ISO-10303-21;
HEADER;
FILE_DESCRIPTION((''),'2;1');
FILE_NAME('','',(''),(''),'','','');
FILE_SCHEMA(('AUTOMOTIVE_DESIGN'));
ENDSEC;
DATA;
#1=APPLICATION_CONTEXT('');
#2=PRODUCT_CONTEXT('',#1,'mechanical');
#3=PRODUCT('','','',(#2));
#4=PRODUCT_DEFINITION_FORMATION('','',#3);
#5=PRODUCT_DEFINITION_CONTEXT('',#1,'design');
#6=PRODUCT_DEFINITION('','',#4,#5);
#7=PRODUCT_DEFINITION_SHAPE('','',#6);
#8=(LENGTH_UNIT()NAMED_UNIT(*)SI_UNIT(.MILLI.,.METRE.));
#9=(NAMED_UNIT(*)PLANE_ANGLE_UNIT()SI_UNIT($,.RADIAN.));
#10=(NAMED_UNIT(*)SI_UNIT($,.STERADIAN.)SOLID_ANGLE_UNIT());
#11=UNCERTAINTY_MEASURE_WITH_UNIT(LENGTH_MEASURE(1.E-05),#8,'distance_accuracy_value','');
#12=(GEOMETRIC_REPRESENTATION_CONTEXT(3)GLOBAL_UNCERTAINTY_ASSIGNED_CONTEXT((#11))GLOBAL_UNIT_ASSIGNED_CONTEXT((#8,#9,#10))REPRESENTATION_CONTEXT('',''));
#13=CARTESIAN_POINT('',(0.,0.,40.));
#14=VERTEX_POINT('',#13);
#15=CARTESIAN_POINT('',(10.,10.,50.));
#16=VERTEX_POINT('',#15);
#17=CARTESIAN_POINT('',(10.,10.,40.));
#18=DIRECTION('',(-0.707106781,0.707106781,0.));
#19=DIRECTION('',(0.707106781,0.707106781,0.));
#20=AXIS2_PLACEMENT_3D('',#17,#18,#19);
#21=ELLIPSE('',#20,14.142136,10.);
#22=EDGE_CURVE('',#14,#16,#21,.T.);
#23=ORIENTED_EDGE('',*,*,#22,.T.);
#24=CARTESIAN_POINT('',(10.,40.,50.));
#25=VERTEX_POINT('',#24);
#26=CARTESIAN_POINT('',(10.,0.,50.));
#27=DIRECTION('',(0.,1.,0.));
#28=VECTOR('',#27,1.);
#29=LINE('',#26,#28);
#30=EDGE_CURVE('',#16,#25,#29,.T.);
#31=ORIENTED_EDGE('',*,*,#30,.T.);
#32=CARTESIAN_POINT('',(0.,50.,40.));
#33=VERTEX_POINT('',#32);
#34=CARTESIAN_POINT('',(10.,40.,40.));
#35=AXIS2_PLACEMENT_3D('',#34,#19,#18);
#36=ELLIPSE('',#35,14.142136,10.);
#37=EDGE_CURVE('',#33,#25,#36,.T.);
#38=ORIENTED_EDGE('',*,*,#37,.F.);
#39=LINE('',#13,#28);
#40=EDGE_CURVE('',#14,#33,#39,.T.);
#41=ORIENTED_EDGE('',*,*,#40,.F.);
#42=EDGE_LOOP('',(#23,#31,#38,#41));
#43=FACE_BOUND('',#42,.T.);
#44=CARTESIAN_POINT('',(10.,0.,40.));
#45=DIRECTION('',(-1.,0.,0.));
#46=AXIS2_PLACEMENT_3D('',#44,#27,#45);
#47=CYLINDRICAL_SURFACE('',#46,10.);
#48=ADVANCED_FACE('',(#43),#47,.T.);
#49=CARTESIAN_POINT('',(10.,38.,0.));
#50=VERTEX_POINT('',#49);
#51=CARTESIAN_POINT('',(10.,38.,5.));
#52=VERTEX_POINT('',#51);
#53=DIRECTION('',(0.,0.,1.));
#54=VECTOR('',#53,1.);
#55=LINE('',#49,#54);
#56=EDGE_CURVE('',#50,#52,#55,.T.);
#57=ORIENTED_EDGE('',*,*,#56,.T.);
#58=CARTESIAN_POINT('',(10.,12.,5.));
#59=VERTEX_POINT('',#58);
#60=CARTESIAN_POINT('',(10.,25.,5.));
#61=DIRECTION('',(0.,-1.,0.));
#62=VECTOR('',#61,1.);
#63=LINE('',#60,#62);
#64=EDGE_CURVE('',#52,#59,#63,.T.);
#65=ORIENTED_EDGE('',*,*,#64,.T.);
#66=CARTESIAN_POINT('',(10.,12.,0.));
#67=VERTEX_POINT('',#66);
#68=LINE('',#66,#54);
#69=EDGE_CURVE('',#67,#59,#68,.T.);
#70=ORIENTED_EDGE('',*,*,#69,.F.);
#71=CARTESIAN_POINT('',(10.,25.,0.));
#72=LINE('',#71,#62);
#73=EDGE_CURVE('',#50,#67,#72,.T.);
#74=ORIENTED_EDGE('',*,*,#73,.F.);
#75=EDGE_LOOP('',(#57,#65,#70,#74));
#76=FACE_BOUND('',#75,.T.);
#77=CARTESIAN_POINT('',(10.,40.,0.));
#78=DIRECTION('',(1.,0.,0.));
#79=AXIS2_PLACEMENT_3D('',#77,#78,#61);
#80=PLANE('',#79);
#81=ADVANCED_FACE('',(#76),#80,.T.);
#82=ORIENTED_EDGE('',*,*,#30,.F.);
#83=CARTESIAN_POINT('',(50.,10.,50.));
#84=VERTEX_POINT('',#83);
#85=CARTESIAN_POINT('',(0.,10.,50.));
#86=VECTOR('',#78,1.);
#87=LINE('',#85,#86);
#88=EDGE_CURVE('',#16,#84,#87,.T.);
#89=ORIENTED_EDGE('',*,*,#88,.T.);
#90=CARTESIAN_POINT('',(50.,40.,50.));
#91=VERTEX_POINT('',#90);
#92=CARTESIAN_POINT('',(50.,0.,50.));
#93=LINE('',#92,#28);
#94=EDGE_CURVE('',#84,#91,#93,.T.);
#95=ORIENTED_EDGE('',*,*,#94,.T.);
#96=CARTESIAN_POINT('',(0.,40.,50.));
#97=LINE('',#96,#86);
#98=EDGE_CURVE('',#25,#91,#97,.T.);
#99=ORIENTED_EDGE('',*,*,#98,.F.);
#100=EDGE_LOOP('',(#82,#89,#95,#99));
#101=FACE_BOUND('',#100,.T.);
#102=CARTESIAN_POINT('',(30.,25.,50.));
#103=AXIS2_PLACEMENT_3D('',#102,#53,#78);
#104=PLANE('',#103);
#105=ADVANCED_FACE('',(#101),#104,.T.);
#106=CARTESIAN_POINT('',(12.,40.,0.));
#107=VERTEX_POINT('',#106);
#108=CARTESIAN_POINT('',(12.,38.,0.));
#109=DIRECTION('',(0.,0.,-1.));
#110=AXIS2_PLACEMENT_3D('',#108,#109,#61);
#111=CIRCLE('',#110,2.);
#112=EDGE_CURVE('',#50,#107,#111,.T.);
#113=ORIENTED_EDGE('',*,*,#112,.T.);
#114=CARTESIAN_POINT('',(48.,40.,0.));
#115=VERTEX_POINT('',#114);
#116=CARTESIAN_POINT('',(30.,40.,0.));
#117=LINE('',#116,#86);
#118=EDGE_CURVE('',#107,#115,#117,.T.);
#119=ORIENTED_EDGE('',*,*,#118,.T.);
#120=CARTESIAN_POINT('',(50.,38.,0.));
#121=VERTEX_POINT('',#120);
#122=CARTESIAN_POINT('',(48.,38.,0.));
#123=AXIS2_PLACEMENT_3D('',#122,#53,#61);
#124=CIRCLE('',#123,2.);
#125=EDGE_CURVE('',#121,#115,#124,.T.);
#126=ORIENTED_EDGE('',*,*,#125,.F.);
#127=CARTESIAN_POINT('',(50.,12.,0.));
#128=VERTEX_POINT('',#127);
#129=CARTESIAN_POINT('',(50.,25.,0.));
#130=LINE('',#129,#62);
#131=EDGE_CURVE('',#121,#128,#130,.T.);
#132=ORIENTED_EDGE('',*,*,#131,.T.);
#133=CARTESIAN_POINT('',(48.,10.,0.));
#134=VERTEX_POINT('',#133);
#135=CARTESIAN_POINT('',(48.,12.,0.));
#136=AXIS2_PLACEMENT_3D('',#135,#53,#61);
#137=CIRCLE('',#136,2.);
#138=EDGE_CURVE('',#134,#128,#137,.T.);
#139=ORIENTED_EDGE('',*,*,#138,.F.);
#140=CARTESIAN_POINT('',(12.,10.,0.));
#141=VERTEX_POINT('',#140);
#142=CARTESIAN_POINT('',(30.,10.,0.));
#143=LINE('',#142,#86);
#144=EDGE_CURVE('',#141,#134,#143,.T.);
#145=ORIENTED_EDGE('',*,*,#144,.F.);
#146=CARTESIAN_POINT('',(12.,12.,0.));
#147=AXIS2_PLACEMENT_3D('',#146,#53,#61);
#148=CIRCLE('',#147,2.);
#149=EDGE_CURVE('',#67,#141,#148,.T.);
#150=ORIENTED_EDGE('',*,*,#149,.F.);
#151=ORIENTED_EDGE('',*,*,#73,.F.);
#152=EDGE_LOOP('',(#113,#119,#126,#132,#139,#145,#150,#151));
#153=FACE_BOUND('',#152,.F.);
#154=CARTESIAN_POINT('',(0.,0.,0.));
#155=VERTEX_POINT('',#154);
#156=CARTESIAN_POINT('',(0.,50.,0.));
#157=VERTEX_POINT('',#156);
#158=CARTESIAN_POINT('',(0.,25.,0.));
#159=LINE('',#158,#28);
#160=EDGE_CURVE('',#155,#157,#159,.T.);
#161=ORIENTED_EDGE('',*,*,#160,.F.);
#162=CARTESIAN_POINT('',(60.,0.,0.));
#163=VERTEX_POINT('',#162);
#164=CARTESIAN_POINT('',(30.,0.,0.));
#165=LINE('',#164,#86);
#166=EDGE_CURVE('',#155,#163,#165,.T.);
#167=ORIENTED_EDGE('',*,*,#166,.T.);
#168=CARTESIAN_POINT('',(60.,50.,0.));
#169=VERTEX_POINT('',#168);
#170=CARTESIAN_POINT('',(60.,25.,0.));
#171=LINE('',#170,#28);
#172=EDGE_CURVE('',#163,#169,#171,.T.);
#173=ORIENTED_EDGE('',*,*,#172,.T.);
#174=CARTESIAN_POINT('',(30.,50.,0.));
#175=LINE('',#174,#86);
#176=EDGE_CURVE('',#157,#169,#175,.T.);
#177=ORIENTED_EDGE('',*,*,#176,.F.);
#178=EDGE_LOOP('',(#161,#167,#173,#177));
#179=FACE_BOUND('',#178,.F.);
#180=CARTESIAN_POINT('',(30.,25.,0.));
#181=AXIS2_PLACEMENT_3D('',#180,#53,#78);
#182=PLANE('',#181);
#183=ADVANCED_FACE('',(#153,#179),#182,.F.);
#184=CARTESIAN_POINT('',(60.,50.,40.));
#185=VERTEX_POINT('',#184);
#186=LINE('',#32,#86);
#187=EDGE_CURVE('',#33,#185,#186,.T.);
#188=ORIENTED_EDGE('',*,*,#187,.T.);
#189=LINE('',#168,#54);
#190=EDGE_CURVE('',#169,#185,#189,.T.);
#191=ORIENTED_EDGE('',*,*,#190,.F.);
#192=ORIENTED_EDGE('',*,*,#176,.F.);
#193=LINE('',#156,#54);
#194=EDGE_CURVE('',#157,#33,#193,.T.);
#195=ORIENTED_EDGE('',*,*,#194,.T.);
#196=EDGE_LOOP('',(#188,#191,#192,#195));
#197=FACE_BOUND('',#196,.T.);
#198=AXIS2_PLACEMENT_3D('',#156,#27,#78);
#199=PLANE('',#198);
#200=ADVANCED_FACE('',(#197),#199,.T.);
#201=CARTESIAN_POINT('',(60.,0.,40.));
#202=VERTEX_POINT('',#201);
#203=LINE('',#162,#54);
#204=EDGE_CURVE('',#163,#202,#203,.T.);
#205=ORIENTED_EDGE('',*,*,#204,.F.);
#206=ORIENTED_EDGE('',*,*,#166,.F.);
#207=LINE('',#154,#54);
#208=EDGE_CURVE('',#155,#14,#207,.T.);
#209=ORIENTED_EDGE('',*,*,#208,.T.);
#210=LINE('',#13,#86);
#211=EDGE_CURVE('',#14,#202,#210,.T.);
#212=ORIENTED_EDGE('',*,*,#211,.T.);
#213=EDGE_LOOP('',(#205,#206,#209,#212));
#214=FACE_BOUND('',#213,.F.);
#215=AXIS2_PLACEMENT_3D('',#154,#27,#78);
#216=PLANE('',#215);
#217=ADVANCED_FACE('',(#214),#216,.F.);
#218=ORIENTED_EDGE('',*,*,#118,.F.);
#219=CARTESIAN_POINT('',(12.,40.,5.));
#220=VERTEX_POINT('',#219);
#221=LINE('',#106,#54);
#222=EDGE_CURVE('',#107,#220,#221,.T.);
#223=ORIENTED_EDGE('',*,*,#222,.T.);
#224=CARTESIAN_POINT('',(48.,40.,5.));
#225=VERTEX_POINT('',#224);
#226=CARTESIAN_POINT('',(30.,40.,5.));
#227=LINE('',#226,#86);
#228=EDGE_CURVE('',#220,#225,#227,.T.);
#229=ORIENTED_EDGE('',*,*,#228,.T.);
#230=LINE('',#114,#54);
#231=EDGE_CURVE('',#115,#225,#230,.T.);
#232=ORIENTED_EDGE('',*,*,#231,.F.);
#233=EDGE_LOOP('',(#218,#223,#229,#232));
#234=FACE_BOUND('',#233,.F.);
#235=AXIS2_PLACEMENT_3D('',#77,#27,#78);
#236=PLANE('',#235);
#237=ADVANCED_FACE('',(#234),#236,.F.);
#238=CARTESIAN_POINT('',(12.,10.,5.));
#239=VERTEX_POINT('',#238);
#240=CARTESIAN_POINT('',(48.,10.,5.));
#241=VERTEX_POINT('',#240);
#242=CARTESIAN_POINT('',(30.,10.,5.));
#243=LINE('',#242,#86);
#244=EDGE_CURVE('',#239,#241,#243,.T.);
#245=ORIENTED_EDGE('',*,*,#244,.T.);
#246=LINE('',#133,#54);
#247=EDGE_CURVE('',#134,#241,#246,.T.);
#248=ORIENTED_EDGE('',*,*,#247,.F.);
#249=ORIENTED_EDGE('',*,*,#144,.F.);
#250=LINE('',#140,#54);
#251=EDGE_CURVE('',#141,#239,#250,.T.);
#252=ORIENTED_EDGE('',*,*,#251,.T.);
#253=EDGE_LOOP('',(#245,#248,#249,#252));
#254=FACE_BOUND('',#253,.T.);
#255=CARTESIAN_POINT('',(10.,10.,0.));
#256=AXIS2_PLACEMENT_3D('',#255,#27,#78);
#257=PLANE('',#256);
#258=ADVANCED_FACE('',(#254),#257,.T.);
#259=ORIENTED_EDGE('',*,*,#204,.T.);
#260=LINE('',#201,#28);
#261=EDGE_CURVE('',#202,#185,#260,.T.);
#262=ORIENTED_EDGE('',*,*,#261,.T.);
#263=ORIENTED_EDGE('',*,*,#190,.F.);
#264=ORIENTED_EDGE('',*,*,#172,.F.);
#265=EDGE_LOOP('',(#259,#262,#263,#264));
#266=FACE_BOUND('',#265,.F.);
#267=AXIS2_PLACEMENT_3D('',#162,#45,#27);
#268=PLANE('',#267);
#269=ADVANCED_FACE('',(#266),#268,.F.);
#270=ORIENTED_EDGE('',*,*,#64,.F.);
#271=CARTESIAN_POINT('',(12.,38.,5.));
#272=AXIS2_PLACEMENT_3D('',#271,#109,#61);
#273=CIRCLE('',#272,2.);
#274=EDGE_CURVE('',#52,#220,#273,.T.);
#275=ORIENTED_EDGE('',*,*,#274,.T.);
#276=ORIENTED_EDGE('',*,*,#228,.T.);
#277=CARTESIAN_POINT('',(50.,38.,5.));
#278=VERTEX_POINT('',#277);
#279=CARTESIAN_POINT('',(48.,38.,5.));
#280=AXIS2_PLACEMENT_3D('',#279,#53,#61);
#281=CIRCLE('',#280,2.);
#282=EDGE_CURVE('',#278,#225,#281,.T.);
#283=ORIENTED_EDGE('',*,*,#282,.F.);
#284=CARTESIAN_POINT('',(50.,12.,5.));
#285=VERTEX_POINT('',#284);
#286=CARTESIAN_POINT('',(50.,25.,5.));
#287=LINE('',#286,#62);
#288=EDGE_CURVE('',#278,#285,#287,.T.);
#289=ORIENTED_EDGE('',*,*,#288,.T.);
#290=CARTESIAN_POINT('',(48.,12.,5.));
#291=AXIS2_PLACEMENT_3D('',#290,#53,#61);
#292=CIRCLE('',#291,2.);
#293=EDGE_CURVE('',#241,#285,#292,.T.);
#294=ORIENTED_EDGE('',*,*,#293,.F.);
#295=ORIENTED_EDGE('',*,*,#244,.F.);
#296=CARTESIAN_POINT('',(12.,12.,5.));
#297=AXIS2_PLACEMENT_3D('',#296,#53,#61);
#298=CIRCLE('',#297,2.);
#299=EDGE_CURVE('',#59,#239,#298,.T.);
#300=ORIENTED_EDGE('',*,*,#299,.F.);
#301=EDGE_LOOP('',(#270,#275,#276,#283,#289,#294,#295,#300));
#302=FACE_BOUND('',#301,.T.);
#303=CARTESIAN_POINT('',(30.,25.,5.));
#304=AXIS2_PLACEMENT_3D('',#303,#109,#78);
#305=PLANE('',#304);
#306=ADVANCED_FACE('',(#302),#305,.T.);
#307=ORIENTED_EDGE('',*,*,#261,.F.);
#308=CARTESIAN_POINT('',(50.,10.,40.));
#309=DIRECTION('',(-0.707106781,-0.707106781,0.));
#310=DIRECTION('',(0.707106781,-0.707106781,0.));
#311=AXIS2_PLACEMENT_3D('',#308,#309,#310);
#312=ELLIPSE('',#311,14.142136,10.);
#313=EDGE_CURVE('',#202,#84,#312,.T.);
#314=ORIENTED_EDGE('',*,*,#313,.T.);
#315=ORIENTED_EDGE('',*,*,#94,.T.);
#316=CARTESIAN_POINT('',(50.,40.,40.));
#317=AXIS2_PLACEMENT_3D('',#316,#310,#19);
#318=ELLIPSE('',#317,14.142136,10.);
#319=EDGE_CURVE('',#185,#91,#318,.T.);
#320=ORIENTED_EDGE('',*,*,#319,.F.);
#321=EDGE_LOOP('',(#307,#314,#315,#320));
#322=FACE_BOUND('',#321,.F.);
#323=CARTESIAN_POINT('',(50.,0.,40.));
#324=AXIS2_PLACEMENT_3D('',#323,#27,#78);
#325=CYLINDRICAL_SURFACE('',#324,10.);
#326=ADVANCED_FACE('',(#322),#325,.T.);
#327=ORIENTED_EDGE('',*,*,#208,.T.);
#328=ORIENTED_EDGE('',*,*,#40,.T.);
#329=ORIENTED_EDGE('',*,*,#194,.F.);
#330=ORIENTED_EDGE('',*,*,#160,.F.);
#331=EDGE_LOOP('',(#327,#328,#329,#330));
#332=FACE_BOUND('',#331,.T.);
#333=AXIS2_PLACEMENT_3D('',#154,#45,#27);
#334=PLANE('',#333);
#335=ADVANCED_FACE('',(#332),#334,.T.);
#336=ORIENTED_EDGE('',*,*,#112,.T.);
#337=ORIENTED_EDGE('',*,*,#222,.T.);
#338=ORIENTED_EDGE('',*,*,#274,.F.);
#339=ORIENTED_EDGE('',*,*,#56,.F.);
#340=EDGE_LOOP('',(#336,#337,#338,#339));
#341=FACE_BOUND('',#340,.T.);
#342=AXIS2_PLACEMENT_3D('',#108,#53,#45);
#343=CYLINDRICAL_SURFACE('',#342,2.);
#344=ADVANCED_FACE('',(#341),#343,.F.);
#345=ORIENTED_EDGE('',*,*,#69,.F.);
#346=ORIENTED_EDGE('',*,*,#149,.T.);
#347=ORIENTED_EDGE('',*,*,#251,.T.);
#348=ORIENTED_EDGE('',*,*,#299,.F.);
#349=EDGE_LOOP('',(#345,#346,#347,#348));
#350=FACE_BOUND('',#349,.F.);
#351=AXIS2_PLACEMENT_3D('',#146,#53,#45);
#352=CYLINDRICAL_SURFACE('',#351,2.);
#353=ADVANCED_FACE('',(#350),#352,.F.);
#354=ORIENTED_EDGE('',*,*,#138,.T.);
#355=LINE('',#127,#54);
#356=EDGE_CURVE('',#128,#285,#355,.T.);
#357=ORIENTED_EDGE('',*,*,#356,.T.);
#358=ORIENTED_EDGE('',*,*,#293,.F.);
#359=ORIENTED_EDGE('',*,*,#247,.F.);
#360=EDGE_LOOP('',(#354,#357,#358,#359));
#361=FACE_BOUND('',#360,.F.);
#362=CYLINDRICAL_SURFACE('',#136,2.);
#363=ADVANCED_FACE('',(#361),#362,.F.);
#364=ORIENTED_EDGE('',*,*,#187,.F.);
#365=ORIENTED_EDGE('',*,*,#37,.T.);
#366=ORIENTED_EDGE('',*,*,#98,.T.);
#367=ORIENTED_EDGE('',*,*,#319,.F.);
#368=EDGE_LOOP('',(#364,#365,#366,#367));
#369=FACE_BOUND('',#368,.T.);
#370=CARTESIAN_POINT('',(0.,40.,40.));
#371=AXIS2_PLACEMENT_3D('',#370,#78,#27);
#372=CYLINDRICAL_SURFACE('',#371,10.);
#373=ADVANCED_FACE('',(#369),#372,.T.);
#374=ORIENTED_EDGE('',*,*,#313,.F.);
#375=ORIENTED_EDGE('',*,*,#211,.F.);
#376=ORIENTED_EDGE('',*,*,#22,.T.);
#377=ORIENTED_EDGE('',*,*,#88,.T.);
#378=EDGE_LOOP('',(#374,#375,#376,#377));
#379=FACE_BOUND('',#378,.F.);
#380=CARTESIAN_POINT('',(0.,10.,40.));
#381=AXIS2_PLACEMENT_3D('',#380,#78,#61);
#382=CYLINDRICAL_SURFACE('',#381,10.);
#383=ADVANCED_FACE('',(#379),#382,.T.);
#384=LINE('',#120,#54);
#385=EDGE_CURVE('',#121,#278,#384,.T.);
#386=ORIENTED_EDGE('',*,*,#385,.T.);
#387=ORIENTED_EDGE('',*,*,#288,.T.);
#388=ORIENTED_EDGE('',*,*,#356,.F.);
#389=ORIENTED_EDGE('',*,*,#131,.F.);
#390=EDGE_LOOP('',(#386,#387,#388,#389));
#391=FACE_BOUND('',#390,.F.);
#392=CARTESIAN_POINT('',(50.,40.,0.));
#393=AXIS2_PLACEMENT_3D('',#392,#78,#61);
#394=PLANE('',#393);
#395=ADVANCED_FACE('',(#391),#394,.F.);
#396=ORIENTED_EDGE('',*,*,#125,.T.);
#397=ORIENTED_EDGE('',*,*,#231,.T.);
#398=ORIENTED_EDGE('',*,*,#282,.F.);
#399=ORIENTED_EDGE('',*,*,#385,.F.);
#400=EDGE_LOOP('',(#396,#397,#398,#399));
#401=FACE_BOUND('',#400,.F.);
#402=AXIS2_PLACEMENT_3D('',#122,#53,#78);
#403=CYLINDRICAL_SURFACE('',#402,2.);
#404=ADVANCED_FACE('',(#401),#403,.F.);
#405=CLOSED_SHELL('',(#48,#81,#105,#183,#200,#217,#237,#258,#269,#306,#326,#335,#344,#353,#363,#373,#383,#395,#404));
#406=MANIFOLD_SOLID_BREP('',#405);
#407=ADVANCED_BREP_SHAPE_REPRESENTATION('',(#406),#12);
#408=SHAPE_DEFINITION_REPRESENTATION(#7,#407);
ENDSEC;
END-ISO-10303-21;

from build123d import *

# Parameters (mm, degrees)
F0_W     = 60
F0_H     = 50
F1_DEPTH = 50
F2_W     = 40
F2_H     = 30
F3_DEPTH = 5
F4_R     = 2
F5_R     = 10


with BuildPart() as f1:
    # F0 (on Top) → F1 (new body)
    with BuildSketch(Plane.XY):
        with Locations((30, 25)):
            Rectangle(F0_W, F0_H)
    extrude(amount=F1_DEPTH)

    # F2 (on face) → F3 (cut)
    with BuildSketch(Plane(origin=(0, 0, 0), x_dir=(1, 0, 0), z_dir=(0, 0, -1))):
        with Locations((30, -25)):
            Rectangle(F2_W, F2_H)
    extrude(amount=-F3_DEPTH, mode=Mode.SUBTRACT)

    # F4
    f4_edges = [f1.edges().sort_by_distance(p)[0] for p in [
        (50, 40, 2.5),
        (10, 40, 2.5),
        (10, 10, 2.5),
        (50, 10, 2.5),
    ]]
    fillet(f4_edges, radius=F4_R)

    # F5
    f5_edges = [f1.edges().sort_by_distance(p)[0] for p in [
        (0, 25, 50),
        (30, 0, 50),
        (60, 25, 50),
        (30, 50, 50),
    ]]
    fillet(f5_edges, radius=F5_R)


solid = f1.part
